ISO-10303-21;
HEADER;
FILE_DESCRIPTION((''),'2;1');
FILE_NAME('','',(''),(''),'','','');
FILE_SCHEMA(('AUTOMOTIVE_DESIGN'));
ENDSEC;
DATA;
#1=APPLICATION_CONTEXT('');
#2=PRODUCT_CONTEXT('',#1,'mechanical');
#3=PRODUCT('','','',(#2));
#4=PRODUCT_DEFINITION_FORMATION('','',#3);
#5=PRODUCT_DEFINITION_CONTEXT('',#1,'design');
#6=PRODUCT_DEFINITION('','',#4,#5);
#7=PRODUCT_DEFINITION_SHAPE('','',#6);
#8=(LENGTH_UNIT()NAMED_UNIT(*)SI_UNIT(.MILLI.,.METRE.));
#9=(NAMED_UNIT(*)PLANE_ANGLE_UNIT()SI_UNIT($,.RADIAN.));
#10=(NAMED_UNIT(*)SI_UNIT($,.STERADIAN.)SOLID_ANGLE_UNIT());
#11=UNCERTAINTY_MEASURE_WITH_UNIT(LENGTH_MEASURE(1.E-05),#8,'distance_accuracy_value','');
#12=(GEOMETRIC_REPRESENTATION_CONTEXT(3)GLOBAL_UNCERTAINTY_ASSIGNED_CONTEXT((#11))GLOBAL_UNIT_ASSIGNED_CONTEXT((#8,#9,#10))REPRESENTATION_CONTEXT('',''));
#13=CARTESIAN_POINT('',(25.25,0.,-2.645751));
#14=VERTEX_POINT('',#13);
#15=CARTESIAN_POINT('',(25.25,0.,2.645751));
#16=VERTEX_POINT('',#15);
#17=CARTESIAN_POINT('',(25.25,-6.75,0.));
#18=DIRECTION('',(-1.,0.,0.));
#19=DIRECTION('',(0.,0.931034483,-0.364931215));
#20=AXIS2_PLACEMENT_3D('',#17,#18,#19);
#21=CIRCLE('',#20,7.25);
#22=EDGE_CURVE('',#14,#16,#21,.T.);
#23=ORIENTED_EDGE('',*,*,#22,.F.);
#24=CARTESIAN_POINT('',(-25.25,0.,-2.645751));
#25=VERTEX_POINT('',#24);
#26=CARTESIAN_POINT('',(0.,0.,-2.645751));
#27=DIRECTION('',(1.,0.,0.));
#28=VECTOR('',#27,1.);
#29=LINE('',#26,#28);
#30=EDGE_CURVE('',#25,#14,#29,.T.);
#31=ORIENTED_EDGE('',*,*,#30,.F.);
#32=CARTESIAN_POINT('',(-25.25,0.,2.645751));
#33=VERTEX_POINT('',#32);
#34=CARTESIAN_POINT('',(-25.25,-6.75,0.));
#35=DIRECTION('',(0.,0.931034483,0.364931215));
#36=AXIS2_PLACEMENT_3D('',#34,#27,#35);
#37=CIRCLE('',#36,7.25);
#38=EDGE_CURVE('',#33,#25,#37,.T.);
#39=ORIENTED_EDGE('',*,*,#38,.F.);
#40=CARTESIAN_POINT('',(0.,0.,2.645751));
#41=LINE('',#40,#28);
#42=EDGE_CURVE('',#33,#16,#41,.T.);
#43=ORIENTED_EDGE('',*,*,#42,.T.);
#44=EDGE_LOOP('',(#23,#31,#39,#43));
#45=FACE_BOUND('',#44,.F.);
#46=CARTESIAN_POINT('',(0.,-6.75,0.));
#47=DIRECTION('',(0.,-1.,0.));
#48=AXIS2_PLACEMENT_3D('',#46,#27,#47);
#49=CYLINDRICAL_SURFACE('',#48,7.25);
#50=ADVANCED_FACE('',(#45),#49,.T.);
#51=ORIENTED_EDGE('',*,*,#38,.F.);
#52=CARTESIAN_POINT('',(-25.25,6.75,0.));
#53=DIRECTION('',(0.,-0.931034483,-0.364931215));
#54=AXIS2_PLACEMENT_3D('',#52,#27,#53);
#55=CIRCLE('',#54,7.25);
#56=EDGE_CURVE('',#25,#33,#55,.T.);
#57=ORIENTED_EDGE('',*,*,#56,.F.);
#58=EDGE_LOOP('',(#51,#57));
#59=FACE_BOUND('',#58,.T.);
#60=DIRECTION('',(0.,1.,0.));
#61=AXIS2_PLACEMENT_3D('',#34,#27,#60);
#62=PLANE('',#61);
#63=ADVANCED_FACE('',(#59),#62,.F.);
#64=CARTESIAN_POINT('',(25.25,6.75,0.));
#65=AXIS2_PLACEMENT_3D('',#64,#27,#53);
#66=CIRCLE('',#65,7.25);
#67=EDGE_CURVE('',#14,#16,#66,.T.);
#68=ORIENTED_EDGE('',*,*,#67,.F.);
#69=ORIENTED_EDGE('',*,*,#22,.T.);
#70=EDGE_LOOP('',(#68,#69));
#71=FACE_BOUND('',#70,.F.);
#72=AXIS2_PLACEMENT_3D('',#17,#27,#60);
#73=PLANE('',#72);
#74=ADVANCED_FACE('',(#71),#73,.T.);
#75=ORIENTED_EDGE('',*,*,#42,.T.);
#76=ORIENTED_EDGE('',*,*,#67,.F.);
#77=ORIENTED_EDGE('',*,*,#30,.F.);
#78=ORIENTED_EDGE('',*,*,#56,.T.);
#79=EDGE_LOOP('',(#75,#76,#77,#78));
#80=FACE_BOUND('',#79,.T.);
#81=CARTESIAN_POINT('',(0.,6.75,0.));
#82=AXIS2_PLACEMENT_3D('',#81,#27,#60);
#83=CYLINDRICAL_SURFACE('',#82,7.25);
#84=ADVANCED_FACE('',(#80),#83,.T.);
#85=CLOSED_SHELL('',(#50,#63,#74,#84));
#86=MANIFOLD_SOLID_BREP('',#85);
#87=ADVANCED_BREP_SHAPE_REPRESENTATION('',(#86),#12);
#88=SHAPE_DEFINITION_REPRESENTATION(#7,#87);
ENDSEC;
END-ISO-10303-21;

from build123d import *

# Parameters (mm, degrees)
F0_R     = 7.25
F1_DEPTH = 25.25
F3_R     = 11
F3_R_2   = 6.35
F4_DEPTH = 7.25


with BuildPart() as f1:
    # F0 (on Right) → F1 (new body, symmetric)
    with BuildSketch(Plane.YZ):
        with Locations((6.75, 0)):
            Circle(F0_R)
    extrude(amount=F1_DEPTH, both=True)

    # F2: F1 across plane


with BuildPart() as f1_1:
    add(f1.part)
    add(f1.part.mirror(Plane.XZ))


with BuildPart() as f4:
    # F3 (on Top) → F4 (new body, symmetric)
    with BuildSketch(Plane.XY):
        Circle(F3_R)
        Circle(F3_R_2, mode=Mode.SUBTRACT)
    extrude(amount=F4_DEPTH, both=True)


solid = f1_1.part
